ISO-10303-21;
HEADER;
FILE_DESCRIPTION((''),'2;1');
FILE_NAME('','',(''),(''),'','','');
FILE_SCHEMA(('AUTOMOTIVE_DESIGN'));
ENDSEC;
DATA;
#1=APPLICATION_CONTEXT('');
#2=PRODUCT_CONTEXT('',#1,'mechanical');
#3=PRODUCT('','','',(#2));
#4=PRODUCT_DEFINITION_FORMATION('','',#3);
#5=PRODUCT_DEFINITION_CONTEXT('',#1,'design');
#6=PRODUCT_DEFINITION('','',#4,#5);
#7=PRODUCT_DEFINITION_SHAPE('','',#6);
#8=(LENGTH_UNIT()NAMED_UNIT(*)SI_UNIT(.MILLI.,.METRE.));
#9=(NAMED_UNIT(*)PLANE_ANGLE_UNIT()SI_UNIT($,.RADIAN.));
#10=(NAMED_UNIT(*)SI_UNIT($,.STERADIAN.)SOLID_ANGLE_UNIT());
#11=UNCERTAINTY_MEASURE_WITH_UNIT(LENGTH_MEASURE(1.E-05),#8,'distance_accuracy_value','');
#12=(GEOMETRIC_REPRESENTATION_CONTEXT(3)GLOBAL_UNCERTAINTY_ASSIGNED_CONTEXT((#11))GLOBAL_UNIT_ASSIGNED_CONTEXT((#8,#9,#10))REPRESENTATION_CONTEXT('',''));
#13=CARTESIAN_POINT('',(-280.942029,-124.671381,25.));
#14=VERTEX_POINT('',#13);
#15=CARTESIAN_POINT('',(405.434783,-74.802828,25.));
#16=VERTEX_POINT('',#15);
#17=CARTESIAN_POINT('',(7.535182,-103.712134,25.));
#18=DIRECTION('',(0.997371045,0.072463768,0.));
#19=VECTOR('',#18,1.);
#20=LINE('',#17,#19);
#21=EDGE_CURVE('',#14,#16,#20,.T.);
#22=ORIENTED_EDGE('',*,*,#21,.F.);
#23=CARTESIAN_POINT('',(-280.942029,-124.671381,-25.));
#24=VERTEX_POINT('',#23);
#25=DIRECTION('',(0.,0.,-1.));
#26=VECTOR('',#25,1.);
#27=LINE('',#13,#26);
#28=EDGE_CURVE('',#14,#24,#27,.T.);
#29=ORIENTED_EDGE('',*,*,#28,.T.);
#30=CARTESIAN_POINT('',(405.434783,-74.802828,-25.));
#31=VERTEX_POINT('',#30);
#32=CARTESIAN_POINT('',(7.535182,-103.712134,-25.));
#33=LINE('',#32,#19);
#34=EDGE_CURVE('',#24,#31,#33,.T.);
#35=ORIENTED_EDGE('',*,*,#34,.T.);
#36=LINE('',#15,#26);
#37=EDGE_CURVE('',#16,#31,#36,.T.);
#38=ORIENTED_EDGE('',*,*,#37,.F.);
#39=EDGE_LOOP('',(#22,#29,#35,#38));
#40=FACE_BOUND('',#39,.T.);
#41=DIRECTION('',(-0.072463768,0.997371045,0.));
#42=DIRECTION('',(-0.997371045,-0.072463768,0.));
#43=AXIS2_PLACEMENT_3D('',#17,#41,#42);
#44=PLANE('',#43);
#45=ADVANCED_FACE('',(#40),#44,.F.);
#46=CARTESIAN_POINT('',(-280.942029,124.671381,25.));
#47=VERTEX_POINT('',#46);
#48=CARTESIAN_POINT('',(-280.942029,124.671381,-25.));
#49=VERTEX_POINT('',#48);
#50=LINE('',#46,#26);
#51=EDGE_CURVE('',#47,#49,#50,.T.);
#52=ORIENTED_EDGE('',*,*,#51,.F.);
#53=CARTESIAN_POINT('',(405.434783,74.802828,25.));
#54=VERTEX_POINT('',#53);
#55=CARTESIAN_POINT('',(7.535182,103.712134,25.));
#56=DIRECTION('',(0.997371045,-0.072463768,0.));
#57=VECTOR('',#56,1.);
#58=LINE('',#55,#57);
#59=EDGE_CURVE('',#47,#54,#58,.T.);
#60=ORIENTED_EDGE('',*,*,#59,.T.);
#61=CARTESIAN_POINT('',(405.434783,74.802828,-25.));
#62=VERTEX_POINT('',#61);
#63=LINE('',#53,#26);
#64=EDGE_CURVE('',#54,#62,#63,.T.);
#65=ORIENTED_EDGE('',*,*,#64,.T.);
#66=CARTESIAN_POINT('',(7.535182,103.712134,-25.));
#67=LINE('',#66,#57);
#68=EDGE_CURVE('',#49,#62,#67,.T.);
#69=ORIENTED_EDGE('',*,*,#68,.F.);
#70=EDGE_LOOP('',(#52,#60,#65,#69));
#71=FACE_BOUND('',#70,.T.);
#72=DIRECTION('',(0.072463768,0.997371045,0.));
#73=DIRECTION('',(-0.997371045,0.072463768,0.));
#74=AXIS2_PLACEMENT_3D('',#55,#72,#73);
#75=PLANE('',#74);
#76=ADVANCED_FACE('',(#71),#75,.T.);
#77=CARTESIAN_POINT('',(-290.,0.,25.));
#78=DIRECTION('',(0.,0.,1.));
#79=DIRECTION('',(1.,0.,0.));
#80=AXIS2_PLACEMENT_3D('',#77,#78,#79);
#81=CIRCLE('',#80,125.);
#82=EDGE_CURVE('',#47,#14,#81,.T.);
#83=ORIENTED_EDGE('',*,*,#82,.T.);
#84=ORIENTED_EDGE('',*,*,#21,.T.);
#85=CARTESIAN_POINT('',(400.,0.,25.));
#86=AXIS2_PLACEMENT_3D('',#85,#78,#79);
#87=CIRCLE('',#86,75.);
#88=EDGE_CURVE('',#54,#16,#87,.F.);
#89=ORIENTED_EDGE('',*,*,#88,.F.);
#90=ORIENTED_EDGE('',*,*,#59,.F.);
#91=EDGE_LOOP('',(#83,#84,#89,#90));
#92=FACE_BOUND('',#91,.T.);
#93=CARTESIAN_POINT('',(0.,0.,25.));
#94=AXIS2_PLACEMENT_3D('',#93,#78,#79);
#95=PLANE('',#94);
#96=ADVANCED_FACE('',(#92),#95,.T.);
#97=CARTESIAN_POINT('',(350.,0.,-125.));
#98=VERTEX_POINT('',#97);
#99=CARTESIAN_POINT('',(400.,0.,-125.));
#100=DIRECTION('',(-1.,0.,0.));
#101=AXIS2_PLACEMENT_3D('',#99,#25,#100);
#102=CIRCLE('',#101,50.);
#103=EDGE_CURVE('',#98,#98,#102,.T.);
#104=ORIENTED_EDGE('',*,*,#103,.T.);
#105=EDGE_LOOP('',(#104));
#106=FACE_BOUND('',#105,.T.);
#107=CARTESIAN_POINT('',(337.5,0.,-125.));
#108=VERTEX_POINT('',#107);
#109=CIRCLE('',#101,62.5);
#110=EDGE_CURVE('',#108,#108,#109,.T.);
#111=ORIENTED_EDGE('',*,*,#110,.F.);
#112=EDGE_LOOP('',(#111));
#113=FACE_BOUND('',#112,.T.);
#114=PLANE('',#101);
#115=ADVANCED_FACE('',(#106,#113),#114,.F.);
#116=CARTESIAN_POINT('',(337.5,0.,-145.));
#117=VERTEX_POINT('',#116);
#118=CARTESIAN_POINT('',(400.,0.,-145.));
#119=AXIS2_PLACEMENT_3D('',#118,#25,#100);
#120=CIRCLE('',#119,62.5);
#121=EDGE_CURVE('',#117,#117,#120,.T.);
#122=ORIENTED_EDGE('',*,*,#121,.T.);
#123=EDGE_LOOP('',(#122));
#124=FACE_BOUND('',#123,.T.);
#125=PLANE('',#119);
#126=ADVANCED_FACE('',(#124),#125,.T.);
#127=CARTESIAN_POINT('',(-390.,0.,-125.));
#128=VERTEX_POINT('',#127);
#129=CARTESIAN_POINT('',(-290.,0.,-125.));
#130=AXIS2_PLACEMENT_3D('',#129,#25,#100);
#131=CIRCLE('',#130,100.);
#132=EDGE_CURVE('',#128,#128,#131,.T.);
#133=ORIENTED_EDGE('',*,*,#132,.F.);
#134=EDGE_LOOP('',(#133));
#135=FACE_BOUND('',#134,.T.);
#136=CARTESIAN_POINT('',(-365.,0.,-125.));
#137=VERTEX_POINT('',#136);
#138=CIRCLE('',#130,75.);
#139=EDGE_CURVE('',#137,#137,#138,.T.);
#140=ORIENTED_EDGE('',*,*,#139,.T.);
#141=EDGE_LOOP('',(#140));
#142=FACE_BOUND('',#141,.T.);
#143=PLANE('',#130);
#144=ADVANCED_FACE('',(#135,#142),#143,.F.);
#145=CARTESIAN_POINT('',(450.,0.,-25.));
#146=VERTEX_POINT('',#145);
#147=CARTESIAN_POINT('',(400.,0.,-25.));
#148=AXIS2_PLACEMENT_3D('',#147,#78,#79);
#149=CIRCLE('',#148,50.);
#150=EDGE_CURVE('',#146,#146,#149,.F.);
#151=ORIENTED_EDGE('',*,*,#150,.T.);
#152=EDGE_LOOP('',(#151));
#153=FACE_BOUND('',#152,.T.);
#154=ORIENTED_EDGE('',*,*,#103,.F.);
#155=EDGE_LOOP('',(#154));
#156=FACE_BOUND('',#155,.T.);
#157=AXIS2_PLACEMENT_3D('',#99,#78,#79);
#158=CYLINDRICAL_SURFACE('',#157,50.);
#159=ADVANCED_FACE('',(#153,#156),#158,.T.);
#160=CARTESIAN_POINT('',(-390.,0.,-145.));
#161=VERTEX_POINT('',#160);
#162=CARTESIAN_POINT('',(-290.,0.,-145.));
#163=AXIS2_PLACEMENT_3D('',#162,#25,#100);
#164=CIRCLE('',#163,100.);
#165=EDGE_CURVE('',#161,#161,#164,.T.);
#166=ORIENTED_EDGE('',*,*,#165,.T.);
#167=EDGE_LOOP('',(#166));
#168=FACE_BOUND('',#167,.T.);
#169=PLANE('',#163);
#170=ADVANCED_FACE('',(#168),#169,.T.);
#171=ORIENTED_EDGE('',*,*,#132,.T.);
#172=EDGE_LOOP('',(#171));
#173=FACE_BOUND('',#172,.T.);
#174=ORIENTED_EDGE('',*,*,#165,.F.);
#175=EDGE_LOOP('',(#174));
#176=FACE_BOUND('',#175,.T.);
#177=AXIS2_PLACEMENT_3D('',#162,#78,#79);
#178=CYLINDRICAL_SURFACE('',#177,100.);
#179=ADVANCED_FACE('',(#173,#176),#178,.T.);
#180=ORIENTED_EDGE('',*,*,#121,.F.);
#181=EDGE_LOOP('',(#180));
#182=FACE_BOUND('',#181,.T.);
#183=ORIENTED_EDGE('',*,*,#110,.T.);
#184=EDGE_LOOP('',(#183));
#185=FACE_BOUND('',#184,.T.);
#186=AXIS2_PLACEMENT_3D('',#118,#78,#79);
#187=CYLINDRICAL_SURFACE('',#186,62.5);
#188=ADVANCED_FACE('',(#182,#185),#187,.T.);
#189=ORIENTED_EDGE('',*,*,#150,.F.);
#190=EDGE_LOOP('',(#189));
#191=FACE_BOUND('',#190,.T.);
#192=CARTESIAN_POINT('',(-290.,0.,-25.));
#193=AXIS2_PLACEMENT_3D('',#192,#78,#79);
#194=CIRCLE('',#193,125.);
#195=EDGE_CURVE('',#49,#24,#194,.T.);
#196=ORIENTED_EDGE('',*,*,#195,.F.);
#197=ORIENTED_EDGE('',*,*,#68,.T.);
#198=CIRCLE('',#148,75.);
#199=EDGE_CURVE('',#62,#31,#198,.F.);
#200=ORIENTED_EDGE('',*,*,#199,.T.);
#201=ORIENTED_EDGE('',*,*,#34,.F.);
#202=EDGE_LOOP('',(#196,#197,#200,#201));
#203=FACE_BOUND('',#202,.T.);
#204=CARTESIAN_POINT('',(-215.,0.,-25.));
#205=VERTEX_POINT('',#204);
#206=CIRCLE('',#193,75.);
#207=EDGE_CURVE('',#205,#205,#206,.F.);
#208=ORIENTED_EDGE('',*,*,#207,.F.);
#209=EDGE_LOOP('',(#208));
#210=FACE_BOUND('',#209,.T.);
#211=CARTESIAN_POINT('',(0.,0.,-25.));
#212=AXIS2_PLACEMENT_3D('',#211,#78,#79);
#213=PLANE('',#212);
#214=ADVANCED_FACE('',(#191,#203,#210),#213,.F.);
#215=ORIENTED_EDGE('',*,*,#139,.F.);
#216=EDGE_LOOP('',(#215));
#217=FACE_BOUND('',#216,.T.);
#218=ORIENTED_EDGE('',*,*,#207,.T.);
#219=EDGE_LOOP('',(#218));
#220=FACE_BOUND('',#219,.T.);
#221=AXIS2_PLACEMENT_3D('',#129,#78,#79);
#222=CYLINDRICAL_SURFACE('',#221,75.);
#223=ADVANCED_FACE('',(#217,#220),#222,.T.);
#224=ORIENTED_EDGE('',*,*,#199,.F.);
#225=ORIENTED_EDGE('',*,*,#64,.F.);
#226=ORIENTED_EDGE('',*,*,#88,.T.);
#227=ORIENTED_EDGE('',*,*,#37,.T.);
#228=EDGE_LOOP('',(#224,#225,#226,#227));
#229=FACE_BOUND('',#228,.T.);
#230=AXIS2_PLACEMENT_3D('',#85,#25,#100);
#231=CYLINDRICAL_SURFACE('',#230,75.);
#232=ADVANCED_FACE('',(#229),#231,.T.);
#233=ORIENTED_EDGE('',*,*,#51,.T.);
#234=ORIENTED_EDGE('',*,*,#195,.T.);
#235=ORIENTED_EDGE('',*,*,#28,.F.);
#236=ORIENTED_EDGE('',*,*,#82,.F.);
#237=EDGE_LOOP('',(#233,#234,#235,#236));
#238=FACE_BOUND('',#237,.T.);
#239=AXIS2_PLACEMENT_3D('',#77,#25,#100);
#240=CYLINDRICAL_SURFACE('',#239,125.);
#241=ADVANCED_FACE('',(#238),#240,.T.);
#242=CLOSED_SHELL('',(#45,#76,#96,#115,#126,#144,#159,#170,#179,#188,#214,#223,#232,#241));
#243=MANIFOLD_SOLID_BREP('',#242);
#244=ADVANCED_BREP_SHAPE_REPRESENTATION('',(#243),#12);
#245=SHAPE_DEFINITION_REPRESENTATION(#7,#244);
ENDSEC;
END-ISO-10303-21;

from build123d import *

# Parameters (mm, degrees)
BOSS_EXTRUDE1_DEPTH = 25
SKETCH2_R           = 75
SKETCH2_R_2         = 50
BOSS_EXTRUDE2_DEPTH = 100
SKETCH3_R           = 62.5
SKETCH3_R_2         = 100
BOSS_EXTRUDE3_DEPTH = 20


with BuildPart() as part:
    # Sketch1 → Boss-Extrude1 (new, symmetric)
    with BuildSketch(Plane.XY):
        with BuildLine():
            ThreePointArc((-215, 0), (-290, 75), (-365, 0))
            Line((-365, 0), (-215, 0))
        make_face()
        with BuildLine():
            Line((-215, 0), (-365, 0))
            ThreePointArc((-365, 0), (-290, -75), (-215, 0))
        make_face()
        with BuildLine():
            Line((405.434782609, 74.802828409), (-280.942028986, 124.671380682))
            ThreePointArc((-280.942028986, 124.671380682), (-375.125653076, 91.534819541), (-415, 0))
            Line((-415, 0), (-365, 0))
            ThreePointArc((-365, 0), (-290, 75), (-215, 0))
            Line((-215, 0), (350, 0))
            ThreePointArc((350, 0), (400, 50), (450, 0))
            Line((450, 0), (475, 0))
            ThreePointArc((475, 0), (454.920891725, 51.075391846), (405.434782609, 74.802828409))
        make_face()
        with BuildLine():
            Line((-365, 0), (-415, 0))
            ThreePointArc((-415, 0), (-375.125653076, -91.534819541), (-280.942028986, -124.671380682))
            Line((-280.942028986, -124.671380682), (405.434782609, -74.802828409))
            ThreePointArc((405.434782609, -74.802828409), (454.920891725, -51.075391846), (475, 0))
            Line((475, 0), (450, 0))
            ThreePointArc((450, 0), (400, -50), (350, 0))
            Line((350, 0), (-215, 0))
            ThreePointArc((-215, 0), (-290, -75), (-365, 0))
        make_face()
        with BuildLine():
            ThreePointArc((350, 0), (400, -50), (450, 0))
            Line((450, 0), (350, 0))
        make_face()
        with BuildLine():
            Line((350, 0), (450, 0))
            ThreePointArc((450, 0), (400, 50), (350, 0))
        make_face()
    extrude(amount=BOSS_EXTRUDE1_DEPTH, both=True)

    # Sketch2 → Boss-Extrude2 (add)
    with BuildSketch(Plane(origin=(0, 0, -25), x_dir=(-1, 0, 0), z_dir=(0, 0, -1))):
        with Locations(Location((290, 0, 0), (0, 0, 180))):
            Circle(SKETCH2_R)
        with Locations(Location((-400, 0, 0), (0, 0, 180))):
            Circle(SKETCH2_R_2)
    extrude(amount=BOSS_EXTRUDE2_DEPTH)

    # Sketch3 → Boss-Extrude3 (add)
    with BuildSketch(Plane(origin=(0, 0, -125), x_dir=(-1, 0, 0), z_dir=(0, 0, -1))):
        with Locations((-400, 0)):
            Circle(SKETCH3_R)
        with Locations((290, 0)):
            Circle(SKETCH3_R_2)
    extrude(amount=BOSS_EXTRUDE3_DEPTH)


solid = part.part
